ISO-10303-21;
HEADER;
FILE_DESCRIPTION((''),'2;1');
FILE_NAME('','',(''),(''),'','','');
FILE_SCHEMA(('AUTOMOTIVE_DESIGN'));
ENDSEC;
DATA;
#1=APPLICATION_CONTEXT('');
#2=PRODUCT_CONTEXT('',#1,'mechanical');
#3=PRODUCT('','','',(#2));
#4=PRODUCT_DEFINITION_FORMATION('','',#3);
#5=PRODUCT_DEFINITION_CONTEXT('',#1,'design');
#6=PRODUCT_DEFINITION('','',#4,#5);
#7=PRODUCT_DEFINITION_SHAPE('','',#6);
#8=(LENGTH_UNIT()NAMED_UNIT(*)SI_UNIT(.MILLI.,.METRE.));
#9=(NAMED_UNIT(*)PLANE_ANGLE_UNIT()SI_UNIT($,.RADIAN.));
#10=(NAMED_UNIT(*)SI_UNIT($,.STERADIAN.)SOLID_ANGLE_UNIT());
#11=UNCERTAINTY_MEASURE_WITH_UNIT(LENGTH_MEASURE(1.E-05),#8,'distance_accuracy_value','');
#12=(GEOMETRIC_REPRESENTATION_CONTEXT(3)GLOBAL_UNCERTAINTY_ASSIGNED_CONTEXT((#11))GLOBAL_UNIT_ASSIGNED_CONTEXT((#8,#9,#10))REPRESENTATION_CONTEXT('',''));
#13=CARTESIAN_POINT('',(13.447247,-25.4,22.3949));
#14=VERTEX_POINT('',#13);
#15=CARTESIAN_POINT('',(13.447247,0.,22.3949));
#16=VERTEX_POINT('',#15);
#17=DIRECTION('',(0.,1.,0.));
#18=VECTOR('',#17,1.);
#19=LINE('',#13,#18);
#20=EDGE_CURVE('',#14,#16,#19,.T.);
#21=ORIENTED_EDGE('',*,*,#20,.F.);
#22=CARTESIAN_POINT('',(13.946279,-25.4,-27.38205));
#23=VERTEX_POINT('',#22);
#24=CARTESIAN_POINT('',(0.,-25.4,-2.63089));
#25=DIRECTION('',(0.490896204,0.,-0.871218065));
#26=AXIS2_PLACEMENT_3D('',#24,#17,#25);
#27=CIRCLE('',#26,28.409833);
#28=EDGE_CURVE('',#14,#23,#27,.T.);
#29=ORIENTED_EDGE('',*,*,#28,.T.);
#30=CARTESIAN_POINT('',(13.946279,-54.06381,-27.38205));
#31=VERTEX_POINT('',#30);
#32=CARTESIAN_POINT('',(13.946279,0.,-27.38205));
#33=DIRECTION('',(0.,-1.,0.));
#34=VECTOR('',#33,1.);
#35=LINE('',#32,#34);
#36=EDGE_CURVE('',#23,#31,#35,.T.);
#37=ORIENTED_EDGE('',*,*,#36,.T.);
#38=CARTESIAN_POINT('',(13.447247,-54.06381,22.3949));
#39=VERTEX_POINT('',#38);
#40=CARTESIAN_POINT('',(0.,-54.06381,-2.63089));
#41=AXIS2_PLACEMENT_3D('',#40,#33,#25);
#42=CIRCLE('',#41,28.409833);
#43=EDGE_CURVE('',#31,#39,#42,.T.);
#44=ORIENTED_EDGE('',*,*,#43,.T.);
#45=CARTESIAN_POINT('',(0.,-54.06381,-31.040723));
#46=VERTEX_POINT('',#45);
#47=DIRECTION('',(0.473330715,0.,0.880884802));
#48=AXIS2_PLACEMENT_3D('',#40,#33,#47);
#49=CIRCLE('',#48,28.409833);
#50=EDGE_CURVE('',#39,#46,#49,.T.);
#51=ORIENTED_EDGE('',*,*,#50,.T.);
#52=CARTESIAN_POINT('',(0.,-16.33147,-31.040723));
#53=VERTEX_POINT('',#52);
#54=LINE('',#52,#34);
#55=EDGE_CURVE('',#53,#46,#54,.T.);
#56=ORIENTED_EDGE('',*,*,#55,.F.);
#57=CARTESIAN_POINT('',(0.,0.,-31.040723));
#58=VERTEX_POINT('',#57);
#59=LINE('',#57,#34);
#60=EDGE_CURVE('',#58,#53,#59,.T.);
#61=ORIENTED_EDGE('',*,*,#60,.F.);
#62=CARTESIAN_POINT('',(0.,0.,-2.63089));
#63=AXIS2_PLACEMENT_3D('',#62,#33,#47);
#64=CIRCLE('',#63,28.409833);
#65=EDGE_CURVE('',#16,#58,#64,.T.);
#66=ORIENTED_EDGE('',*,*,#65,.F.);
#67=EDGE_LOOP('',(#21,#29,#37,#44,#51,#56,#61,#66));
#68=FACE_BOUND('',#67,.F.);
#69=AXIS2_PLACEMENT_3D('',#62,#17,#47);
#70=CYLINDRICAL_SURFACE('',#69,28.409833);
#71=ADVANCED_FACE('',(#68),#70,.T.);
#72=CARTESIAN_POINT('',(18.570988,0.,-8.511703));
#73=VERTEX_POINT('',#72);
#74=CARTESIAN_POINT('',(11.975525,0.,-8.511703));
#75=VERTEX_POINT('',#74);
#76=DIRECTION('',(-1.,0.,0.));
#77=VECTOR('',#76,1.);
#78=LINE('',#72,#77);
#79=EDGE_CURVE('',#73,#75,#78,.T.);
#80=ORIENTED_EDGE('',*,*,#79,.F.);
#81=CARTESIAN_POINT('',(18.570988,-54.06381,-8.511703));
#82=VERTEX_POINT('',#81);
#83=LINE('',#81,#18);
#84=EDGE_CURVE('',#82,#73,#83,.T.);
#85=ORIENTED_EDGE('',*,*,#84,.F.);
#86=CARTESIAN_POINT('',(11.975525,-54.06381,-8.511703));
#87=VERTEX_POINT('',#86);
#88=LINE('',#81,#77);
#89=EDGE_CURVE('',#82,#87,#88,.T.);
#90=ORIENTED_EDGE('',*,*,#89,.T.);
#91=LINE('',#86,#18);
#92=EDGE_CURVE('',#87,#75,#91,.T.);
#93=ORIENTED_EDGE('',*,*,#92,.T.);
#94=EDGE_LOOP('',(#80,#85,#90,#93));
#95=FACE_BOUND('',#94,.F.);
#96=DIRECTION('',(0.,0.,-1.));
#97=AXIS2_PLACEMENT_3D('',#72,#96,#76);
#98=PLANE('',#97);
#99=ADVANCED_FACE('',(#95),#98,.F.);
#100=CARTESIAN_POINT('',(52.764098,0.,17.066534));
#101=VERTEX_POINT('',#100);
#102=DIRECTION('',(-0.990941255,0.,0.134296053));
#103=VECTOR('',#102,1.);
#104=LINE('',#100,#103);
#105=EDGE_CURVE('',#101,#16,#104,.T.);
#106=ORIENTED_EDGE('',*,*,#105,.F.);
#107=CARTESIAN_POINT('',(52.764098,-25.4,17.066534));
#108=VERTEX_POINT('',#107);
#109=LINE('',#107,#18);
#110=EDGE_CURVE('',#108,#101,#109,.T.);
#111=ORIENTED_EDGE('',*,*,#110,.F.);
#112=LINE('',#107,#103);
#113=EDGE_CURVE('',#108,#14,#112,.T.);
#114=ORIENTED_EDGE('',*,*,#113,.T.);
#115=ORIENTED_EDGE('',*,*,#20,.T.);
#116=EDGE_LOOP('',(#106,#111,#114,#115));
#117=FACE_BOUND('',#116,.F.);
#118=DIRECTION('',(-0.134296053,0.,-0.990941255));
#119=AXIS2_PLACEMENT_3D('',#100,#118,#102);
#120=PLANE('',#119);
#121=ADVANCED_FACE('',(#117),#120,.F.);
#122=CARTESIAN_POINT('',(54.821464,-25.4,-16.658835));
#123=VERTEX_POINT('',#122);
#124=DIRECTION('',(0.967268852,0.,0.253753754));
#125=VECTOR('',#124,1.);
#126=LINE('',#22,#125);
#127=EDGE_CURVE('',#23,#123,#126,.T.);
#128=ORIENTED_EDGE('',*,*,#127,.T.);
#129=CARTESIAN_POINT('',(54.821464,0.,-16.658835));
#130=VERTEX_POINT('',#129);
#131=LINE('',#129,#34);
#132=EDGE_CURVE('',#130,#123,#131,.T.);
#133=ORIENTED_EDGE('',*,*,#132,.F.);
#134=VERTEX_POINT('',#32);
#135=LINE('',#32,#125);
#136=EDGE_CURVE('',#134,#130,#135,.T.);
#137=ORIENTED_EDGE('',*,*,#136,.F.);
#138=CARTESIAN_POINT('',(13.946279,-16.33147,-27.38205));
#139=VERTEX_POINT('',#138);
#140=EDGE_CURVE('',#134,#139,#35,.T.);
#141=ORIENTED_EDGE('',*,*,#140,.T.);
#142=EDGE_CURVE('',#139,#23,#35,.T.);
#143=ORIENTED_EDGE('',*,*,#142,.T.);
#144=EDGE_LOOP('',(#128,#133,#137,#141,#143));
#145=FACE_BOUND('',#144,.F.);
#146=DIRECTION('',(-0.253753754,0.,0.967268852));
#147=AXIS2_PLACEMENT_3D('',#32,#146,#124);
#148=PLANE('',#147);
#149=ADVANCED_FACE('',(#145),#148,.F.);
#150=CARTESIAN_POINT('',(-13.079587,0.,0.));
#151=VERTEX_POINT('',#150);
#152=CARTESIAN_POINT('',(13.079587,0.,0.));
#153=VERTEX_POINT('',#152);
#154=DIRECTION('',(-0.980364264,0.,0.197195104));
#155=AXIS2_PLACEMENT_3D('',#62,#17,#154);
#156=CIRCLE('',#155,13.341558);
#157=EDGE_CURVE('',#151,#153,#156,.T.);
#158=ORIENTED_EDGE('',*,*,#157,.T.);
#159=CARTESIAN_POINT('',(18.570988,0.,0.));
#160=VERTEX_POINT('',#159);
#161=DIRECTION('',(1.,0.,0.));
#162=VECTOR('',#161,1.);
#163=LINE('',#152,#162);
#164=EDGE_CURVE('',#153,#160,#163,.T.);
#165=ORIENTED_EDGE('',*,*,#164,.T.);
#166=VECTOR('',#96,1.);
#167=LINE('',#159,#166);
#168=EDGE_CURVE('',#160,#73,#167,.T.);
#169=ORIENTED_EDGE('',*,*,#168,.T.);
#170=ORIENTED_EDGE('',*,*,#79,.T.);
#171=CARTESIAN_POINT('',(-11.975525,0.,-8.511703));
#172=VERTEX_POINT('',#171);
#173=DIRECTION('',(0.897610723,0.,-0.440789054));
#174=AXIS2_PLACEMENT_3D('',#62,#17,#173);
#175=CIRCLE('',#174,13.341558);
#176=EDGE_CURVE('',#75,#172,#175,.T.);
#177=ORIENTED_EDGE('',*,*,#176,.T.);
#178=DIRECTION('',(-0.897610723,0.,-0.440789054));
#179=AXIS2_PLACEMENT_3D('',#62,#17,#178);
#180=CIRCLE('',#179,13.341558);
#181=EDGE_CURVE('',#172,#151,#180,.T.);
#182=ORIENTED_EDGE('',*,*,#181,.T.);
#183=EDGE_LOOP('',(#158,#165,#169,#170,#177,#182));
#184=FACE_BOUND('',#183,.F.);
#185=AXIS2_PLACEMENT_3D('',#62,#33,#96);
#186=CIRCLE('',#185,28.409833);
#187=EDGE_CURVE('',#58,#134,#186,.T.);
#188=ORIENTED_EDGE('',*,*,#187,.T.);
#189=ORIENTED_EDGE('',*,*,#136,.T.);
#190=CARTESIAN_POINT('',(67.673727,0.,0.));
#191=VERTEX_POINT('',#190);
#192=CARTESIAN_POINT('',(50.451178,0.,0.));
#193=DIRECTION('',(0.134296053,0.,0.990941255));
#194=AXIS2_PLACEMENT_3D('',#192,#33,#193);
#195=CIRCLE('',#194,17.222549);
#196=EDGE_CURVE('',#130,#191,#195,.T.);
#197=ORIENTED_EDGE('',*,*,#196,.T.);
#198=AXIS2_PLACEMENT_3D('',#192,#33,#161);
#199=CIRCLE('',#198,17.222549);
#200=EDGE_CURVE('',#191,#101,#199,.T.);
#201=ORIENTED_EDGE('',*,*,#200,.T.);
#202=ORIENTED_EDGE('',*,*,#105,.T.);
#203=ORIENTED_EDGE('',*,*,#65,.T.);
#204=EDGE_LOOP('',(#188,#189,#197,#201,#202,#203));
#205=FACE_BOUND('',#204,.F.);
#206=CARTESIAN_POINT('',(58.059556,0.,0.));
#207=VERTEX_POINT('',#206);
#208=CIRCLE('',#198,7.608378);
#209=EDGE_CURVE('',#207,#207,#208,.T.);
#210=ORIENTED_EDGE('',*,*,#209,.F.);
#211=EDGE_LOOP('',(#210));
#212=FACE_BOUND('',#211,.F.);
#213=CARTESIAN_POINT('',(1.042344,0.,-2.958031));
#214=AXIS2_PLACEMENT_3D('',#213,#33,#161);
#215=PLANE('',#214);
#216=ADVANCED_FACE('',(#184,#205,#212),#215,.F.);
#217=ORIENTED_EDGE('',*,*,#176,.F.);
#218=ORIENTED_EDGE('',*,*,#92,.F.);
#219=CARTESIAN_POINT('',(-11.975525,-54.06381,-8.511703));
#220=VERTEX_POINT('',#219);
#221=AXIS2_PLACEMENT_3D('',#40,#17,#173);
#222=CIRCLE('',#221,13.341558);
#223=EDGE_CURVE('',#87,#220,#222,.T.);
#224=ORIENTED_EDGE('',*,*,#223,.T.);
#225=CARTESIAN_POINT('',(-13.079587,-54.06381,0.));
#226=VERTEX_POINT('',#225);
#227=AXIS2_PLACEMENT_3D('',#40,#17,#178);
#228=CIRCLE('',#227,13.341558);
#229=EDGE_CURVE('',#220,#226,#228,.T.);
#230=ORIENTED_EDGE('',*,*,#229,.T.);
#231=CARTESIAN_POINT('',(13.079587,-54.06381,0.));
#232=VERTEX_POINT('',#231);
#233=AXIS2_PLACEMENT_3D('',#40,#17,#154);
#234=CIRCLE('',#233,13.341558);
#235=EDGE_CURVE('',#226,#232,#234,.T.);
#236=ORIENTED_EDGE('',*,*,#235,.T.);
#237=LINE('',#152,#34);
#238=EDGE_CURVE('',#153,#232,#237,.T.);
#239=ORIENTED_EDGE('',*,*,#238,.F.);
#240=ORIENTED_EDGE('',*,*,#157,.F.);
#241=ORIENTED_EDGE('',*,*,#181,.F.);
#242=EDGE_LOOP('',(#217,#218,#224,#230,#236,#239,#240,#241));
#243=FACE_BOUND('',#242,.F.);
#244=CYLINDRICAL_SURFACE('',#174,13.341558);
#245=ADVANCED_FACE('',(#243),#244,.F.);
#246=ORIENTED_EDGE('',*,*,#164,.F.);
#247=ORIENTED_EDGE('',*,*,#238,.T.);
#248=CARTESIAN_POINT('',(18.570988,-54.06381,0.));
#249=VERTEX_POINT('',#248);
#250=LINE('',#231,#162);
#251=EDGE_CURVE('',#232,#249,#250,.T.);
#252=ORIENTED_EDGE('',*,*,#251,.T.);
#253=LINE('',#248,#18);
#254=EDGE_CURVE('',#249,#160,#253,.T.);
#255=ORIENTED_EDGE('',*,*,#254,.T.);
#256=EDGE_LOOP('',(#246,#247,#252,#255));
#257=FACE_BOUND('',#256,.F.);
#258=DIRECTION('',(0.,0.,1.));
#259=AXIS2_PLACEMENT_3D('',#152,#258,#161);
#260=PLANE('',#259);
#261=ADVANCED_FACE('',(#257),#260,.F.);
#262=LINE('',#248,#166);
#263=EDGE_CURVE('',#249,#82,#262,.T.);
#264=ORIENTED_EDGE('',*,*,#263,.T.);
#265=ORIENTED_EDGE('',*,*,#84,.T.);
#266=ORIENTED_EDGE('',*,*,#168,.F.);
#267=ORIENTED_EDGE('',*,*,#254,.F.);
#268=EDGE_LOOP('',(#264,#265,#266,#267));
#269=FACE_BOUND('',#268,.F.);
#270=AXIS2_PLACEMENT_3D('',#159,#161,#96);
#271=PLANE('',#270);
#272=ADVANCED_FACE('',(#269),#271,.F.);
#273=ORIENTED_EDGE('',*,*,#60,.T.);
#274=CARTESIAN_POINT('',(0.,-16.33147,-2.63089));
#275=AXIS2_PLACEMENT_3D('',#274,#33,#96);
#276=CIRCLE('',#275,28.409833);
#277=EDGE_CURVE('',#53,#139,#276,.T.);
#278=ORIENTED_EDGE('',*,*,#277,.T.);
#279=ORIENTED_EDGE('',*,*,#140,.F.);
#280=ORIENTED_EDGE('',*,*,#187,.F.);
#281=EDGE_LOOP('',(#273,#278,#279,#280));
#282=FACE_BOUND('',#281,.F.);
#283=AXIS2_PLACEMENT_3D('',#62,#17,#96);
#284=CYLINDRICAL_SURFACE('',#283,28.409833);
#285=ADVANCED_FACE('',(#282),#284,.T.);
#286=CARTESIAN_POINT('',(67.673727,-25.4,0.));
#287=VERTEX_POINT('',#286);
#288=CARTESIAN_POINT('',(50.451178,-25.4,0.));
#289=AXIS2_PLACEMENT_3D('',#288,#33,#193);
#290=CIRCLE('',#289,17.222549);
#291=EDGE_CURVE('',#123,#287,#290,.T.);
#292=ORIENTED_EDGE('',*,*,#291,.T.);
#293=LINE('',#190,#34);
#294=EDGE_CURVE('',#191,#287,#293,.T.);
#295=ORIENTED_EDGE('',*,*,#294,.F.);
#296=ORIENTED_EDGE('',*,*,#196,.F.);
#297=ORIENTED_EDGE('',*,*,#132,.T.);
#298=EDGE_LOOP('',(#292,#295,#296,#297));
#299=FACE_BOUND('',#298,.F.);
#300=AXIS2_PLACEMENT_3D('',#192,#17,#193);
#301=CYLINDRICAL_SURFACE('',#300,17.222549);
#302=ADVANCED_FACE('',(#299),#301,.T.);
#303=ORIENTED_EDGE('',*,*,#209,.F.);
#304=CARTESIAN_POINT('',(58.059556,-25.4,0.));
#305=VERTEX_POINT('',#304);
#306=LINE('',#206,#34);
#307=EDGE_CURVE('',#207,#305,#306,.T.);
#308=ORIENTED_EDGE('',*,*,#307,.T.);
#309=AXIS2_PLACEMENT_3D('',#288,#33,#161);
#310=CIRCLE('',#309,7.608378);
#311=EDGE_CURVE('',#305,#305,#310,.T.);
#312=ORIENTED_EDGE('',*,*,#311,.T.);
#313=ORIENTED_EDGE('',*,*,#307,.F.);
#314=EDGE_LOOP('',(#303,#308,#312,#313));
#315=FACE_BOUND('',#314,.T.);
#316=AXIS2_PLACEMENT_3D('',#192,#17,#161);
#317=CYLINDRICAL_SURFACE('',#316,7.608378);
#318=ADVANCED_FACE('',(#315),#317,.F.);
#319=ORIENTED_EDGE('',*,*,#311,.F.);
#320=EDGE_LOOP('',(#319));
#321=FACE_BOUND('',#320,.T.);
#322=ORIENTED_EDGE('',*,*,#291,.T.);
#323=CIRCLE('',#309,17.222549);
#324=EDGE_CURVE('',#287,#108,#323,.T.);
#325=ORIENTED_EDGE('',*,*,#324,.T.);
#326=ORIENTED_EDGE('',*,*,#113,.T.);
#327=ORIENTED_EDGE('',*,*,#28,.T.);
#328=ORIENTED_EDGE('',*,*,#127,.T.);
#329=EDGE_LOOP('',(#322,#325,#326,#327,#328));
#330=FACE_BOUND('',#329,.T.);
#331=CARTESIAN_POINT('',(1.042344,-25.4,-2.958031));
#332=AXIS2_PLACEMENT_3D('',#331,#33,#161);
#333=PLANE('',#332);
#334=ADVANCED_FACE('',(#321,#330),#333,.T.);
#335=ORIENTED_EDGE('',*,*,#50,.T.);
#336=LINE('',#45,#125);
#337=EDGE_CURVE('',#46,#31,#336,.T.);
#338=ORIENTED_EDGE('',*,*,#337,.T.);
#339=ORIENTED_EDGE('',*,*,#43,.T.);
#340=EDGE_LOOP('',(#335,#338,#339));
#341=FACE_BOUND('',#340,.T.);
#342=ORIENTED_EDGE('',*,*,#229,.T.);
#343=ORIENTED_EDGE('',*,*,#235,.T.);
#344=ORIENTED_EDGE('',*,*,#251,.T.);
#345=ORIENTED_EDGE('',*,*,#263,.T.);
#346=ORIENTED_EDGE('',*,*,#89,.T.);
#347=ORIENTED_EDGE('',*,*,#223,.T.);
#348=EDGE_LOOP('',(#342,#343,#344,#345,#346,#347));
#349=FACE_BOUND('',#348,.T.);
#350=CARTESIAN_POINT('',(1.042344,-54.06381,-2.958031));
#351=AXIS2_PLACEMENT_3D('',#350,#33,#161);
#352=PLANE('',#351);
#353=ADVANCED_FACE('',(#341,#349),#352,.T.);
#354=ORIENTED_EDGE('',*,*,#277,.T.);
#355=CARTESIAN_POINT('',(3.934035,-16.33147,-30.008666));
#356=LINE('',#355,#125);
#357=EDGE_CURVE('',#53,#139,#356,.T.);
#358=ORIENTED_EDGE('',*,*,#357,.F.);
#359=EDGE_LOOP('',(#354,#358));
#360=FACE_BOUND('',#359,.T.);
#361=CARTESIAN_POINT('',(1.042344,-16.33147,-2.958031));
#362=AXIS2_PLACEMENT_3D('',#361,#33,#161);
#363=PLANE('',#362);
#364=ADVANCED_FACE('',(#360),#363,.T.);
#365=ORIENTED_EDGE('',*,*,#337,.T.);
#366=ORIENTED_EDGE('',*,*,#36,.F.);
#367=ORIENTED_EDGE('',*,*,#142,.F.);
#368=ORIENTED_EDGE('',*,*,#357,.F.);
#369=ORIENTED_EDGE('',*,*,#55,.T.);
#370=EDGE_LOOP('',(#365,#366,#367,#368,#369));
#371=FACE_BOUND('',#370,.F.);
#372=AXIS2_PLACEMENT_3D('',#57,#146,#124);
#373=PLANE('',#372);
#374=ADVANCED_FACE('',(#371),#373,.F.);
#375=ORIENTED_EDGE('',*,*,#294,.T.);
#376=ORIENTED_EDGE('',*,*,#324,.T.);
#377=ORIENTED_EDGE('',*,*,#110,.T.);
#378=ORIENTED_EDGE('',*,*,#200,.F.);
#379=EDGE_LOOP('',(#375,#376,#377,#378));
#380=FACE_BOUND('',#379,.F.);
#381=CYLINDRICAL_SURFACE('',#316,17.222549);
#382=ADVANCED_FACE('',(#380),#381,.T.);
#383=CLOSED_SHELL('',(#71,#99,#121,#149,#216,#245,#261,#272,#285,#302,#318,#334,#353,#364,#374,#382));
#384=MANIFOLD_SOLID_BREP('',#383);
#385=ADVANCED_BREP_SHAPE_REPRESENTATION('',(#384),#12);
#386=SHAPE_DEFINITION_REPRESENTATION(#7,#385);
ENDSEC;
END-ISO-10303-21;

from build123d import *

# Parameters (mm, degrees)
F0_R     = 7.6083781551
F1_DEPTH = 25.4
F2_DEPTH = 16.33147
F3_DEPTH = 54.06381


with BuildPart() as f1:
    # F0 (on Front) → F1 (new body)
    with BuildSketch(Plane.XZ):
        with BuildLine():
            ThreePointArc((13.9462792399, -27.3820497182), (24.5288614061, -16.9645417548), (28.40983312, -2.6308898814))
            ThreePointArc((28.40983312, -2.6308898814), (24.3839357983, 11.9479404177), (13.4472466105, 22.394900346))
            ThreePointArc((13.4472466105, 22.394900346), (-27.5508361213, 4.3023667074), (0, -31.0407230014))
            Line((0, -31.0407230014), (13.9462792399, -27.3820497182))
        make_face()
        with BuildLine():
            ThreePointArc((-13.0795865189, 0), (0, 10.7106679389), (13.0795865189, 0))
            Line((13.0795865189, 0), (18.5709875077, 0))
            Line((18.5709875077, 0), (18.5709875077, -8.5117025301))
            Line((18.5709875077, -8.5117025301), (11.9755253606, -8.5117025301))
            ThreePointArc((11.9755253606, -8.5117025301), (0, -15.9724477017), (-11.9755253606, -8.5117025301))
            Line((-11.9755253606, -8.5117025301), (-17.9519541562, -8.5117025301))
            Line((-17.9519541562, -8.5117025301), (-17.9519541562, 0))
            Line((-17.9519541562, 0), (-13.0795865189, 0))
        make_face(mode=Mode.SUBTRACT)
        with BuildLine():
            ThreePointArc((13.4472466105, 22.394900346), (24.3839357983, 11.9479404177), (28.40983312, -2.6308898814))
            ThreePointArc((28.40983312, -2.6308898814), (24.5288614061, -16.9645417548), (13.9462792399, -27.3820497182))
            Line((13.9462792399, -27.3820497182), (54.8214644814, -16.6588349012))
            ThreePointArc((54.8214644814, -16.6588349012), (33.2605864945, -1.0486865195), (52.764098421, 17.0665340036))
            Line((52.764098421, 17.0665340036), (13.4472466105, 22.394900346))
        make_face()
        with BuildLine():
            ThreePointArc((67.6737267911, 0), (63.4213470707, 11.3309708435), (52.764098421, 17.0665340036))
            ThreePointArc((52.764098421, 17.0665340036), (33.2605864945, -1.0486865195), (54.8214644814, -16.6588349012))
            ThreePointArc((54.8214644814, -16.6588349012), (64.0872268937, -10.5201880537), (67.6737267911, 0))
        make_face()
        with Locations((50.4511781037, 0)):
            Circle(F0_R, mode=Mode.SUBTRACT)
        with BuildLine():
            ThreePointArc((-11.9755253606, -8.5117025301), (-13.2307190966, -4.3470592374), (-13.0795865189, 0))
            Line((-13.0795865189, 0), (-17.9519541562, 0))
            Line((-17.9519541562, 0), (-17.9519541562, -8.5117025301))
            Line((-17.9519541562, -8.5117025301), (-11.9755253606, -8.5117025301))
        make_face()
    extrude(amount=F1_DEPTH)

    # F0 (on Front) → F2 (join)
    with BuildSketch(Plane.XZ):
        with BuildLine():
            ThreePointArc((13.9462792399, -27.3820497182), (24.5288614061, -16.9645417548), (28.40983312, -2.6308898814))
            ThreePointArc((28.40983312, -2.6308898814), (24.3839357983, 11.9479404177), (13.4472466105, 22.394900346))
            ThreePointArc((13.4472466105, 22.394900346), (-27.5508361213, 4.3023667074), (0, -31.0407230014))
            Line((0, -31.0407230014), (13.9462792399, -27.3820497182))
        make_face()
        with BuildLine():
            ThreePointArc((-13.0795865189, 0), (0, 10.7106679389), (13.0795865189, 0))
            Line((13.0795865189, 0), (18.5709875077, 0))
            Line((18.5709875077, 0), (18.5709875077, -8.5117025301))
            Line((18.5709875077, -8.5117025301), (11.9755253606, -8.5117025301))
            ThreePointArc((11.9755253606, -8.5117025301), (0, -15.9724477017), (-11.9755253606, -8.5117025301))
            Line((-11.9755253606, -8.5117025301), (-17.9519541562, -8.5117025301))
            Line((-17.9519541562, -8.5117025301), (-17.9519541562, 0))
            Line((-17.9519541562, 0), (-13.0795865189, 0))
        make_face(mode=Mode.SUBTRACT)
        with BuildLine():
            ThreePointArc((13.4472466105, 22.394900346), (24.3839357983, 11.9479404177), (28.40983312, -2.6308898814))
            ThreePointArc((28.40983312, -2.6308898814), (24.5288614061, -16.9645417548), (13.9462792399, -27.3820497182))
            Line((13.9462792399, -27.3820497182), (54.8214644814, -16.6588349012))
            ThreePointArc((54.8214644814, -16.6588349012), (33.2605864945, -1.0486865195), (52.764098421, 17.0665340036))
            Line((52.764098421, 17.0665340036), (13.4472466105, 22.394900346))
        make_face()
        with BuildLine():
            ThreePointArc((0, -31.0407230014), (7.2091017962, -30.1108365553), (13.9462792399, -27.3820497182))
            Line((13.9462792399, -27.3820497182), (0, -31.0407230014))
        make_face()
        with BuildLine():
            ThreePointArc((67.6737267911, 0), (63.4213470707, 11.3309708435), (52.764098421, 17.0665340036))
            ThreePointArc((52.764098421, 17.0665340036), (33.2605864945, -1.0486865195), (54.8214644814, -16.6588349012))
            ThreePointArc((54.8214644814, -16.6588349012), (64.0872268937, -10.5201880537), (67.6737267911, 0))
        make_face()
        with Locations((50.4511781037, 0)):
            Circle(F0_R, mode=Mode.SUBTRACT)
    extrude(amount=F2_DEPTH)

    # F0 (on Front) → F3 (join)
    with BuildSketch(Plane.XZ):
        with BuildLine():
            ThreePointArc((13.9462792399, -27.3820497182), (24.5288614061, -16.9645417548), (28.40983312, -2.6308898814))
            ThreePointArc((28.40983312, -2.6308898814), (24.3839357983, 11.9479404177), (13.4472466105, 22.394900346))
            ThreePointArc((13.4472466105, 22.394900346), (-27.5508361213, 4.3023667074), (0, -31.0407230014))
            Line((0, -31.0407230014), (13.9462792399, -27.3820497182))
        make_face()
        with BuildLine():
            ThreePointArc((-13.0795865189, 0), (0, 10.7106679389), (13.0795865189, 0))
            Line((13.0795865189, 0), (18.5709875077, 0))
            Line((18.5709875077, 0), (18.5709875077, -8.5117025301))
            Line((18.5709875077, -8.5117025301), (11.9755253606, -8.5117025301))
            ThreePointArc((11.9755253606, -8.5117025301), (0, -15.9724477017), (-11.9755253606, -8.5117025301))
            Line((-11.9755253606, -8.5117025301), (-17.9519541562, -8.5117025301))
            Line((-17.9519541562, -8.5117025301), (-17.9519541562, 0))
            Line((-17.9519541562, 0), (-13.0795865189, 0))
        make_face(mode=Mode.SUBTRACT)
        with BuildLine():
            ThreePointArc((-11.9755253606, -8.5117025301), (-13.2307190966, -4.3470592374), (-13.0795865189, 0))
            Line((-13.0795865189, 0), (-17.9519541562, 0))
            Line((-17.9519541562, 0), (-17.9519541562, -8.5117025301))
            Line((-17.9519541562, -8.5117025301), (-11.9755253606, -8.5117025301))
        make_face()
    extrude(amount=F3_DEPTH)


solid = f1.part
